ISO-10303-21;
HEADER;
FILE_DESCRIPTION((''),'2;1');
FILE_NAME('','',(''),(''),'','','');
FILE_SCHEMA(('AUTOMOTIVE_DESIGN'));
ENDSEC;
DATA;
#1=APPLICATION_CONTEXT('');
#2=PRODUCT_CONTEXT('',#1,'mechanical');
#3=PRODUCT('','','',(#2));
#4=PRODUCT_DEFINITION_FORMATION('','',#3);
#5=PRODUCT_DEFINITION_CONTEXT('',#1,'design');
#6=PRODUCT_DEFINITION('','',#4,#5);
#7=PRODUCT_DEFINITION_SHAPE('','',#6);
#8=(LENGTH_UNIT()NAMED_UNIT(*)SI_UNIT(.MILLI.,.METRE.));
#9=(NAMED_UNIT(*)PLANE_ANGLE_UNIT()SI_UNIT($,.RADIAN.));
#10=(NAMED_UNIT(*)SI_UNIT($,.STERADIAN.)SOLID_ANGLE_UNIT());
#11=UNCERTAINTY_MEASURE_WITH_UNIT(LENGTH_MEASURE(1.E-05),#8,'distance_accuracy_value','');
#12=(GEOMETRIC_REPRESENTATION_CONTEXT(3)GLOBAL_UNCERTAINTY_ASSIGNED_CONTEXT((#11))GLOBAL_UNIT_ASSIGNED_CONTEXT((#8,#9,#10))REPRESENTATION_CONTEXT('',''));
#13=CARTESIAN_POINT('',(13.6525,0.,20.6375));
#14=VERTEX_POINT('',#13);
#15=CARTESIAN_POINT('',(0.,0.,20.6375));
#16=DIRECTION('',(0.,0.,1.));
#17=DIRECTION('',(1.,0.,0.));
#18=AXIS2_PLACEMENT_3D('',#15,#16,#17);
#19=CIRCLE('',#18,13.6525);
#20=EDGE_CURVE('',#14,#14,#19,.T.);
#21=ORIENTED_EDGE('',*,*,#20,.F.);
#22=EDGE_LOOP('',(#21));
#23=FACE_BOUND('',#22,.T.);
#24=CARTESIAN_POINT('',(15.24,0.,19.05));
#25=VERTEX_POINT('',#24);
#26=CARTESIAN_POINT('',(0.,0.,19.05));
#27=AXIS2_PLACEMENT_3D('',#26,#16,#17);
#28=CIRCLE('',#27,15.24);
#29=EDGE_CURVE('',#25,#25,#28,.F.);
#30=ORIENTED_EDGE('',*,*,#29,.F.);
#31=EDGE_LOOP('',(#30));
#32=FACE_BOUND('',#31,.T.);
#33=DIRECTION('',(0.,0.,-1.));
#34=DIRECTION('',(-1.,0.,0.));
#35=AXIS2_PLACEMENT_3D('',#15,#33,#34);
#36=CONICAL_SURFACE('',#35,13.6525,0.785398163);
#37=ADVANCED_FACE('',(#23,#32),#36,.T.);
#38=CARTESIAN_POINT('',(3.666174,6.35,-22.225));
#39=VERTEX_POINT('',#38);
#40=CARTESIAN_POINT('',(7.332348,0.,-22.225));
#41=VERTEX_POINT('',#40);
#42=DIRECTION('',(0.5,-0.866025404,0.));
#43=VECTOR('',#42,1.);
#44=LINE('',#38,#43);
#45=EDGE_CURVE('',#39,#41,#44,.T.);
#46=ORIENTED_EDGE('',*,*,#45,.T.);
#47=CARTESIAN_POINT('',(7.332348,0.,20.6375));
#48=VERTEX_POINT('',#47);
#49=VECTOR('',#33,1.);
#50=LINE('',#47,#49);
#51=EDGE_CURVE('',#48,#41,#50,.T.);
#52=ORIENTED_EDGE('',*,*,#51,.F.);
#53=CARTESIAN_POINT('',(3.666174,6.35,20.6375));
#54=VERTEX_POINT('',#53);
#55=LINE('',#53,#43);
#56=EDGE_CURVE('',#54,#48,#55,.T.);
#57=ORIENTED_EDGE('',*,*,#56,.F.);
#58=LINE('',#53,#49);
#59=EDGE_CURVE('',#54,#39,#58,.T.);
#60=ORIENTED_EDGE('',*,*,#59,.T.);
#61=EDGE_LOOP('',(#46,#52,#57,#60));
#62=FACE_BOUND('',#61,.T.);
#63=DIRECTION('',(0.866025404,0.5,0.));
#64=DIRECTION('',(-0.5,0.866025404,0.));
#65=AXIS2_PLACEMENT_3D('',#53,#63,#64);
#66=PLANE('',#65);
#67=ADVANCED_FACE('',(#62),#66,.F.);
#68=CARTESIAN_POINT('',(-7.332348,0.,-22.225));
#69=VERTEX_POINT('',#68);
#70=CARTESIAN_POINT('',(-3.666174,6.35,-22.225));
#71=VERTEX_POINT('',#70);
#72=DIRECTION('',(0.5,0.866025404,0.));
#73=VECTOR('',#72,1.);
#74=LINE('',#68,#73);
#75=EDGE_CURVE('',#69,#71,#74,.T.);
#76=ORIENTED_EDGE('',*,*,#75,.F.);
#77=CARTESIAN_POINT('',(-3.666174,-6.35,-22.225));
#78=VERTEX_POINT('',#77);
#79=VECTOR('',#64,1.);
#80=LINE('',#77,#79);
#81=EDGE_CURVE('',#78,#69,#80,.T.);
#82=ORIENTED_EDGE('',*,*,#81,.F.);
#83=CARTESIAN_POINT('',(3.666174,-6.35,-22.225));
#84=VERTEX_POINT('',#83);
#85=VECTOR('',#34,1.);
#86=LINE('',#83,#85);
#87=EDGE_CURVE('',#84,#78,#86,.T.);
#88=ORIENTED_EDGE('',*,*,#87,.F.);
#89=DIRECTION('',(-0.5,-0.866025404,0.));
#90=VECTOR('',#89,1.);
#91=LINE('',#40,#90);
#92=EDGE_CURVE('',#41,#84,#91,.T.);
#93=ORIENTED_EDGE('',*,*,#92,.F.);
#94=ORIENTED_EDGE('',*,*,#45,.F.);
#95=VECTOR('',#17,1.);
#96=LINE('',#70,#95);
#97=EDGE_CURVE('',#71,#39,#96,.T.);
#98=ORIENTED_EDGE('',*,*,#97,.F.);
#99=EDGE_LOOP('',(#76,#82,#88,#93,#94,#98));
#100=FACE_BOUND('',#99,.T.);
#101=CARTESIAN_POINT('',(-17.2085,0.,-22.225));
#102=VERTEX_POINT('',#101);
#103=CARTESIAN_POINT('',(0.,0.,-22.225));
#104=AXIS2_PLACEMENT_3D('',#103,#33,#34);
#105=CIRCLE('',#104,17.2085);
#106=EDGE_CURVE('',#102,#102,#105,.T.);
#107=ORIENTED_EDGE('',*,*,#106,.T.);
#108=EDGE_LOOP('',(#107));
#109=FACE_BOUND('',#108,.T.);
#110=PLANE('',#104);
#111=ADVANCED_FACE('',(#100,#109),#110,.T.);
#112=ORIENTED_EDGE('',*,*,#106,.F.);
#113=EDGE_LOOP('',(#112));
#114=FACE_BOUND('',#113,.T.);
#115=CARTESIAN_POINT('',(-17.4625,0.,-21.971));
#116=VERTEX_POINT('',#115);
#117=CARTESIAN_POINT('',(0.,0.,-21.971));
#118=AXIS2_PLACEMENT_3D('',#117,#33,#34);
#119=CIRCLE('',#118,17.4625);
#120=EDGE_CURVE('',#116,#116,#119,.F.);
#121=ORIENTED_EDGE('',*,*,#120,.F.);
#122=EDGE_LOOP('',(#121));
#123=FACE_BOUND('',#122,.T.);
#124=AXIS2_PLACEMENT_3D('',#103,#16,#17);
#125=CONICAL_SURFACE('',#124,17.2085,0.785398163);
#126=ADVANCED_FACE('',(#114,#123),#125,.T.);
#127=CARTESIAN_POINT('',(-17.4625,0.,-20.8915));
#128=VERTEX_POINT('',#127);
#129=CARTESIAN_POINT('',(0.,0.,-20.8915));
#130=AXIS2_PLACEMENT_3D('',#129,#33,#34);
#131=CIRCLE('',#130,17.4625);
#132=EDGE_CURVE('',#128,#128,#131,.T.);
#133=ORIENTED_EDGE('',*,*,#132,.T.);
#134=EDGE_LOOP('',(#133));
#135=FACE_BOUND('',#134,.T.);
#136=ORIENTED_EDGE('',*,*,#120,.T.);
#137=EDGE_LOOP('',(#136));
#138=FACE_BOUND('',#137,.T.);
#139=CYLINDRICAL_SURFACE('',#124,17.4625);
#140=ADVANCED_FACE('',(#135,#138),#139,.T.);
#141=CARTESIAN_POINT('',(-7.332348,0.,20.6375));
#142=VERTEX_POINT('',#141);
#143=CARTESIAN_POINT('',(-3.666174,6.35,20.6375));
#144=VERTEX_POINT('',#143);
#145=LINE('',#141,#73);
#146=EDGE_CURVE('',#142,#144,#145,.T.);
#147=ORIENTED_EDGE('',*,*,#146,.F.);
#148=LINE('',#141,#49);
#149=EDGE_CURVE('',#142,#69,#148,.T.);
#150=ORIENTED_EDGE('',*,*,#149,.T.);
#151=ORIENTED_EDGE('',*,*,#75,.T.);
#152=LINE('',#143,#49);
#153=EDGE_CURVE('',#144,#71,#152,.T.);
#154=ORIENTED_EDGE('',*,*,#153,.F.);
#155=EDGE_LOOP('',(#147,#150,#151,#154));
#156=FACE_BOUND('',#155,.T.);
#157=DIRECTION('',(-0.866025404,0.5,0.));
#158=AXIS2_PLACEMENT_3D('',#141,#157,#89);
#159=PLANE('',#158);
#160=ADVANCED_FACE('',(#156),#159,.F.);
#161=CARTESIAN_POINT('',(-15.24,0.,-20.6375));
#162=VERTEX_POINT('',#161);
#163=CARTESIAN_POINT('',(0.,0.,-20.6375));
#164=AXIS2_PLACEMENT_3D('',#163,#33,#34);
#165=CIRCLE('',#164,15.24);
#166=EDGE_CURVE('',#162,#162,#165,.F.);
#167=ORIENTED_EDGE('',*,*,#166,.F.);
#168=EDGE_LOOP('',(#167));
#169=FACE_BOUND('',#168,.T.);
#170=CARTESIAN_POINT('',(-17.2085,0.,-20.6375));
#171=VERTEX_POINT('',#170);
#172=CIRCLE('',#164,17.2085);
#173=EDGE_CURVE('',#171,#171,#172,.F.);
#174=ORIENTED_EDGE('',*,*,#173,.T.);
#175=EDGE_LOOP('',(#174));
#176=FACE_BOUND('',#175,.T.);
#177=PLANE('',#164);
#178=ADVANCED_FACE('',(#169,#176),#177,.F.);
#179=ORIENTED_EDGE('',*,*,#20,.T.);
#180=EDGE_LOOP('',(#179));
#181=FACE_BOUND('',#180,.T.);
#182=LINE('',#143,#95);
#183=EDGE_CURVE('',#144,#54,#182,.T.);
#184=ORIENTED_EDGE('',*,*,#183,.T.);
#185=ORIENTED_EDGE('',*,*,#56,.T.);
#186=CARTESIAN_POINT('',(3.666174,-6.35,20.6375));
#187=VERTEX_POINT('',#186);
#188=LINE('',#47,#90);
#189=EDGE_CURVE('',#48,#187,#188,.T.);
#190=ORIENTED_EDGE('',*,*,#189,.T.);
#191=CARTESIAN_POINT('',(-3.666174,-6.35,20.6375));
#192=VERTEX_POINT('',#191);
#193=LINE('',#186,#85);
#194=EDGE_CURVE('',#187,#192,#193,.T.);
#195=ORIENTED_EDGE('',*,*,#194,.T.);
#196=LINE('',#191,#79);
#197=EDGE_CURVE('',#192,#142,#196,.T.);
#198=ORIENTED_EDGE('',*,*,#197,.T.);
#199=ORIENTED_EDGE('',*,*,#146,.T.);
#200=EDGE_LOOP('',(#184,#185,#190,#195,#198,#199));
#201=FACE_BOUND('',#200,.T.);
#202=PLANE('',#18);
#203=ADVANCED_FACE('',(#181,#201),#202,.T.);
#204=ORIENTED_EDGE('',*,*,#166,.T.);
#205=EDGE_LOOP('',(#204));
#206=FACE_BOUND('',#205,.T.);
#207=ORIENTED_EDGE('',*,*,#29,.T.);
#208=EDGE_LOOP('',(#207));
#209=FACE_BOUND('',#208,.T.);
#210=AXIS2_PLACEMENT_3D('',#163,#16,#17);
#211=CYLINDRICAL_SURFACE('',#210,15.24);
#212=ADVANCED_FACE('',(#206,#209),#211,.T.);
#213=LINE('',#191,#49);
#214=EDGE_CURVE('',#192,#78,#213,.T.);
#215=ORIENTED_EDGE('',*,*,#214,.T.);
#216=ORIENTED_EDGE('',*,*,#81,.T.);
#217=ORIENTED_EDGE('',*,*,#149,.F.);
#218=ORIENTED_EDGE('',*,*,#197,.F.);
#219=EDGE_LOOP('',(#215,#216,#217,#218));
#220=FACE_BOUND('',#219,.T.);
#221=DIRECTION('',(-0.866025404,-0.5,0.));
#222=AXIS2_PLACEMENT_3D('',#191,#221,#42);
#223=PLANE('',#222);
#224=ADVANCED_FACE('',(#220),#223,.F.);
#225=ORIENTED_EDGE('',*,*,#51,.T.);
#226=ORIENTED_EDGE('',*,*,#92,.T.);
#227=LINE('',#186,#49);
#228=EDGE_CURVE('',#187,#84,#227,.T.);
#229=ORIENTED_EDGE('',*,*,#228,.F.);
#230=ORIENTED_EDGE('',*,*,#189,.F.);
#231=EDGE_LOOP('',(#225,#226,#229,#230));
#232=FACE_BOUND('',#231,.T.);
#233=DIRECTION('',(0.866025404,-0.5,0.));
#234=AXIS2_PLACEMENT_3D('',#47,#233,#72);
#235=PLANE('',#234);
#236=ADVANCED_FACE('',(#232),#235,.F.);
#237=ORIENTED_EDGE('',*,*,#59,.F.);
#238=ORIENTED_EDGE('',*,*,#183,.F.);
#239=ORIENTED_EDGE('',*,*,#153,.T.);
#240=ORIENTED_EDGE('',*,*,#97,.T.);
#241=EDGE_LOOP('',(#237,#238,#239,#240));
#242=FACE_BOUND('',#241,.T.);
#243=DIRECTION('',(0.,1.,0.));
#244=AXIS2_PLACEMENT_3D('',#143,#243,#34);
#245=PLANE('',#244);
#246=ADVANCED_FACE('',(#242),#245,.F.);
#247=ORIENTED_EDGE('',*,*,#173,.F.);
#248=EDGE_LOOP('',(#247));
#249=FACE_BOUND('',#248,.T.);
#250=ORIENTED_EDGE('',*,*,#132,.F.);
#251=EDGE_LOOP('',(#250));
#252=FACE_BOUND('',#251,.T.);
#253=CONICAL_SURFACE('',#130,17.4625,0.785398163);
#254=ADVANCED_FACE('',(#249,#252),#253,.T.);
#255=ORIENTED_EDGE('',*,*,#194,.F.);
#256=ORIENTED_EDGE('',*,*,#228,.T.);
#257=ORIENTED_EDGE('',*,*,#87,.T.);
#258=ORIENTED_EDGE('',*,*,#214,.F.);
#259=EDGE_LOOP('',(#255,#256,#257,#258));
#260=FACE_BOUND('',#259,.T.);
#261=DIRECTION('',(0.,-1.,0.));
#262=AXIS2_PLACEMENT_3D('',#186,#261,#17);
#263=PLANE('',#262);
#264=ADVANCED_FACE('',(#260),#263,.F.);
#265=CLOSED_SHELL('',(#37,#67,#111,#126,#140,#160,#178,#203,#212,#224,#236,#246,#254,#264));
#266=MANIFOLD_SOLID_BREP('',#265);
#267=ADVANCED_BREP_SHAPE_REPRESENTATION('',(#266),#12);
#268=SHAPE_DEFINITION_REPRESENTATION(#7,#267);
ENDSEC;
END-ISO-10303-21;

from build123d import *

# Parameters (mm, degrees)
SKETCH1_R           = 15.24
BOSS_EXTRUDE1_DEPTH = 20.6375
CHAMFER1_SIZE       = 1.5875
SKETCH2_R           = 17.4625
BOSS_EXTRUDE2_DEPTH = 1.5875
CUT_EXTRUDE1_DEPTH  = 50.467885732
CHAMFER2_SIZE       = 0.254


with BuildPart() as part:
    # Sketch1 → Boss-Extrude1 (new, symmetric)
    with BuildSketch(Plane.XY):
        Circle(SKETCH1_R)
    extrude(amount=BOSS_EXTRUDE1_DEPTH, both=True)

    # Chamfer1
    chamfer1_edges = [part.edges().sort_by_distance(p)[0] for p in [
        (-15.24, 0, 20.6375),
    ]]
    chamfer(chamfer1_edges, length=CHAMFER1_SIZE)

    # Sketch2 → Boss-Extrude2 (add)
    with BuildSketch(Plane(origin=(0, 0, -20.6375), x_dir=(-1, 0, 0), z_dir=(0, 0, -1))):
        Circle(SKETCH2_R)
    extrude(amount=BOSS_EXTRUDE2_DEPTH)

    # Sketch3 → Cut-Extrude1 (cut, through all)
    with BuildSketch(Plane(origin=(0, 0, -22.225), x_dir=(-1, 0, 0), z_dir=(0, 0, -1))):
        Polygon((7.332348419, 0), (3.666174209, 6.35), (-3.666174209, 6.35), (-7.332348419, 0), (-3.666174209, -6.35), (3.666174209, -6.35), align=None)
    extrude(amount=-CUT_EXTRUDE1_DEPTH, mode=Mode.SUBTRACT)

    # Chamfer2
    chamfer2_edges = [part.edges().sort_by_distance(p)[0] for p in [
        (17.4625, 0, -20.6375),
        (17.4625, 0, -22.225),
    ]]
    chamfer(chamfer2_edges, length=CHAMFER2_SIZE)


solid = part.part
